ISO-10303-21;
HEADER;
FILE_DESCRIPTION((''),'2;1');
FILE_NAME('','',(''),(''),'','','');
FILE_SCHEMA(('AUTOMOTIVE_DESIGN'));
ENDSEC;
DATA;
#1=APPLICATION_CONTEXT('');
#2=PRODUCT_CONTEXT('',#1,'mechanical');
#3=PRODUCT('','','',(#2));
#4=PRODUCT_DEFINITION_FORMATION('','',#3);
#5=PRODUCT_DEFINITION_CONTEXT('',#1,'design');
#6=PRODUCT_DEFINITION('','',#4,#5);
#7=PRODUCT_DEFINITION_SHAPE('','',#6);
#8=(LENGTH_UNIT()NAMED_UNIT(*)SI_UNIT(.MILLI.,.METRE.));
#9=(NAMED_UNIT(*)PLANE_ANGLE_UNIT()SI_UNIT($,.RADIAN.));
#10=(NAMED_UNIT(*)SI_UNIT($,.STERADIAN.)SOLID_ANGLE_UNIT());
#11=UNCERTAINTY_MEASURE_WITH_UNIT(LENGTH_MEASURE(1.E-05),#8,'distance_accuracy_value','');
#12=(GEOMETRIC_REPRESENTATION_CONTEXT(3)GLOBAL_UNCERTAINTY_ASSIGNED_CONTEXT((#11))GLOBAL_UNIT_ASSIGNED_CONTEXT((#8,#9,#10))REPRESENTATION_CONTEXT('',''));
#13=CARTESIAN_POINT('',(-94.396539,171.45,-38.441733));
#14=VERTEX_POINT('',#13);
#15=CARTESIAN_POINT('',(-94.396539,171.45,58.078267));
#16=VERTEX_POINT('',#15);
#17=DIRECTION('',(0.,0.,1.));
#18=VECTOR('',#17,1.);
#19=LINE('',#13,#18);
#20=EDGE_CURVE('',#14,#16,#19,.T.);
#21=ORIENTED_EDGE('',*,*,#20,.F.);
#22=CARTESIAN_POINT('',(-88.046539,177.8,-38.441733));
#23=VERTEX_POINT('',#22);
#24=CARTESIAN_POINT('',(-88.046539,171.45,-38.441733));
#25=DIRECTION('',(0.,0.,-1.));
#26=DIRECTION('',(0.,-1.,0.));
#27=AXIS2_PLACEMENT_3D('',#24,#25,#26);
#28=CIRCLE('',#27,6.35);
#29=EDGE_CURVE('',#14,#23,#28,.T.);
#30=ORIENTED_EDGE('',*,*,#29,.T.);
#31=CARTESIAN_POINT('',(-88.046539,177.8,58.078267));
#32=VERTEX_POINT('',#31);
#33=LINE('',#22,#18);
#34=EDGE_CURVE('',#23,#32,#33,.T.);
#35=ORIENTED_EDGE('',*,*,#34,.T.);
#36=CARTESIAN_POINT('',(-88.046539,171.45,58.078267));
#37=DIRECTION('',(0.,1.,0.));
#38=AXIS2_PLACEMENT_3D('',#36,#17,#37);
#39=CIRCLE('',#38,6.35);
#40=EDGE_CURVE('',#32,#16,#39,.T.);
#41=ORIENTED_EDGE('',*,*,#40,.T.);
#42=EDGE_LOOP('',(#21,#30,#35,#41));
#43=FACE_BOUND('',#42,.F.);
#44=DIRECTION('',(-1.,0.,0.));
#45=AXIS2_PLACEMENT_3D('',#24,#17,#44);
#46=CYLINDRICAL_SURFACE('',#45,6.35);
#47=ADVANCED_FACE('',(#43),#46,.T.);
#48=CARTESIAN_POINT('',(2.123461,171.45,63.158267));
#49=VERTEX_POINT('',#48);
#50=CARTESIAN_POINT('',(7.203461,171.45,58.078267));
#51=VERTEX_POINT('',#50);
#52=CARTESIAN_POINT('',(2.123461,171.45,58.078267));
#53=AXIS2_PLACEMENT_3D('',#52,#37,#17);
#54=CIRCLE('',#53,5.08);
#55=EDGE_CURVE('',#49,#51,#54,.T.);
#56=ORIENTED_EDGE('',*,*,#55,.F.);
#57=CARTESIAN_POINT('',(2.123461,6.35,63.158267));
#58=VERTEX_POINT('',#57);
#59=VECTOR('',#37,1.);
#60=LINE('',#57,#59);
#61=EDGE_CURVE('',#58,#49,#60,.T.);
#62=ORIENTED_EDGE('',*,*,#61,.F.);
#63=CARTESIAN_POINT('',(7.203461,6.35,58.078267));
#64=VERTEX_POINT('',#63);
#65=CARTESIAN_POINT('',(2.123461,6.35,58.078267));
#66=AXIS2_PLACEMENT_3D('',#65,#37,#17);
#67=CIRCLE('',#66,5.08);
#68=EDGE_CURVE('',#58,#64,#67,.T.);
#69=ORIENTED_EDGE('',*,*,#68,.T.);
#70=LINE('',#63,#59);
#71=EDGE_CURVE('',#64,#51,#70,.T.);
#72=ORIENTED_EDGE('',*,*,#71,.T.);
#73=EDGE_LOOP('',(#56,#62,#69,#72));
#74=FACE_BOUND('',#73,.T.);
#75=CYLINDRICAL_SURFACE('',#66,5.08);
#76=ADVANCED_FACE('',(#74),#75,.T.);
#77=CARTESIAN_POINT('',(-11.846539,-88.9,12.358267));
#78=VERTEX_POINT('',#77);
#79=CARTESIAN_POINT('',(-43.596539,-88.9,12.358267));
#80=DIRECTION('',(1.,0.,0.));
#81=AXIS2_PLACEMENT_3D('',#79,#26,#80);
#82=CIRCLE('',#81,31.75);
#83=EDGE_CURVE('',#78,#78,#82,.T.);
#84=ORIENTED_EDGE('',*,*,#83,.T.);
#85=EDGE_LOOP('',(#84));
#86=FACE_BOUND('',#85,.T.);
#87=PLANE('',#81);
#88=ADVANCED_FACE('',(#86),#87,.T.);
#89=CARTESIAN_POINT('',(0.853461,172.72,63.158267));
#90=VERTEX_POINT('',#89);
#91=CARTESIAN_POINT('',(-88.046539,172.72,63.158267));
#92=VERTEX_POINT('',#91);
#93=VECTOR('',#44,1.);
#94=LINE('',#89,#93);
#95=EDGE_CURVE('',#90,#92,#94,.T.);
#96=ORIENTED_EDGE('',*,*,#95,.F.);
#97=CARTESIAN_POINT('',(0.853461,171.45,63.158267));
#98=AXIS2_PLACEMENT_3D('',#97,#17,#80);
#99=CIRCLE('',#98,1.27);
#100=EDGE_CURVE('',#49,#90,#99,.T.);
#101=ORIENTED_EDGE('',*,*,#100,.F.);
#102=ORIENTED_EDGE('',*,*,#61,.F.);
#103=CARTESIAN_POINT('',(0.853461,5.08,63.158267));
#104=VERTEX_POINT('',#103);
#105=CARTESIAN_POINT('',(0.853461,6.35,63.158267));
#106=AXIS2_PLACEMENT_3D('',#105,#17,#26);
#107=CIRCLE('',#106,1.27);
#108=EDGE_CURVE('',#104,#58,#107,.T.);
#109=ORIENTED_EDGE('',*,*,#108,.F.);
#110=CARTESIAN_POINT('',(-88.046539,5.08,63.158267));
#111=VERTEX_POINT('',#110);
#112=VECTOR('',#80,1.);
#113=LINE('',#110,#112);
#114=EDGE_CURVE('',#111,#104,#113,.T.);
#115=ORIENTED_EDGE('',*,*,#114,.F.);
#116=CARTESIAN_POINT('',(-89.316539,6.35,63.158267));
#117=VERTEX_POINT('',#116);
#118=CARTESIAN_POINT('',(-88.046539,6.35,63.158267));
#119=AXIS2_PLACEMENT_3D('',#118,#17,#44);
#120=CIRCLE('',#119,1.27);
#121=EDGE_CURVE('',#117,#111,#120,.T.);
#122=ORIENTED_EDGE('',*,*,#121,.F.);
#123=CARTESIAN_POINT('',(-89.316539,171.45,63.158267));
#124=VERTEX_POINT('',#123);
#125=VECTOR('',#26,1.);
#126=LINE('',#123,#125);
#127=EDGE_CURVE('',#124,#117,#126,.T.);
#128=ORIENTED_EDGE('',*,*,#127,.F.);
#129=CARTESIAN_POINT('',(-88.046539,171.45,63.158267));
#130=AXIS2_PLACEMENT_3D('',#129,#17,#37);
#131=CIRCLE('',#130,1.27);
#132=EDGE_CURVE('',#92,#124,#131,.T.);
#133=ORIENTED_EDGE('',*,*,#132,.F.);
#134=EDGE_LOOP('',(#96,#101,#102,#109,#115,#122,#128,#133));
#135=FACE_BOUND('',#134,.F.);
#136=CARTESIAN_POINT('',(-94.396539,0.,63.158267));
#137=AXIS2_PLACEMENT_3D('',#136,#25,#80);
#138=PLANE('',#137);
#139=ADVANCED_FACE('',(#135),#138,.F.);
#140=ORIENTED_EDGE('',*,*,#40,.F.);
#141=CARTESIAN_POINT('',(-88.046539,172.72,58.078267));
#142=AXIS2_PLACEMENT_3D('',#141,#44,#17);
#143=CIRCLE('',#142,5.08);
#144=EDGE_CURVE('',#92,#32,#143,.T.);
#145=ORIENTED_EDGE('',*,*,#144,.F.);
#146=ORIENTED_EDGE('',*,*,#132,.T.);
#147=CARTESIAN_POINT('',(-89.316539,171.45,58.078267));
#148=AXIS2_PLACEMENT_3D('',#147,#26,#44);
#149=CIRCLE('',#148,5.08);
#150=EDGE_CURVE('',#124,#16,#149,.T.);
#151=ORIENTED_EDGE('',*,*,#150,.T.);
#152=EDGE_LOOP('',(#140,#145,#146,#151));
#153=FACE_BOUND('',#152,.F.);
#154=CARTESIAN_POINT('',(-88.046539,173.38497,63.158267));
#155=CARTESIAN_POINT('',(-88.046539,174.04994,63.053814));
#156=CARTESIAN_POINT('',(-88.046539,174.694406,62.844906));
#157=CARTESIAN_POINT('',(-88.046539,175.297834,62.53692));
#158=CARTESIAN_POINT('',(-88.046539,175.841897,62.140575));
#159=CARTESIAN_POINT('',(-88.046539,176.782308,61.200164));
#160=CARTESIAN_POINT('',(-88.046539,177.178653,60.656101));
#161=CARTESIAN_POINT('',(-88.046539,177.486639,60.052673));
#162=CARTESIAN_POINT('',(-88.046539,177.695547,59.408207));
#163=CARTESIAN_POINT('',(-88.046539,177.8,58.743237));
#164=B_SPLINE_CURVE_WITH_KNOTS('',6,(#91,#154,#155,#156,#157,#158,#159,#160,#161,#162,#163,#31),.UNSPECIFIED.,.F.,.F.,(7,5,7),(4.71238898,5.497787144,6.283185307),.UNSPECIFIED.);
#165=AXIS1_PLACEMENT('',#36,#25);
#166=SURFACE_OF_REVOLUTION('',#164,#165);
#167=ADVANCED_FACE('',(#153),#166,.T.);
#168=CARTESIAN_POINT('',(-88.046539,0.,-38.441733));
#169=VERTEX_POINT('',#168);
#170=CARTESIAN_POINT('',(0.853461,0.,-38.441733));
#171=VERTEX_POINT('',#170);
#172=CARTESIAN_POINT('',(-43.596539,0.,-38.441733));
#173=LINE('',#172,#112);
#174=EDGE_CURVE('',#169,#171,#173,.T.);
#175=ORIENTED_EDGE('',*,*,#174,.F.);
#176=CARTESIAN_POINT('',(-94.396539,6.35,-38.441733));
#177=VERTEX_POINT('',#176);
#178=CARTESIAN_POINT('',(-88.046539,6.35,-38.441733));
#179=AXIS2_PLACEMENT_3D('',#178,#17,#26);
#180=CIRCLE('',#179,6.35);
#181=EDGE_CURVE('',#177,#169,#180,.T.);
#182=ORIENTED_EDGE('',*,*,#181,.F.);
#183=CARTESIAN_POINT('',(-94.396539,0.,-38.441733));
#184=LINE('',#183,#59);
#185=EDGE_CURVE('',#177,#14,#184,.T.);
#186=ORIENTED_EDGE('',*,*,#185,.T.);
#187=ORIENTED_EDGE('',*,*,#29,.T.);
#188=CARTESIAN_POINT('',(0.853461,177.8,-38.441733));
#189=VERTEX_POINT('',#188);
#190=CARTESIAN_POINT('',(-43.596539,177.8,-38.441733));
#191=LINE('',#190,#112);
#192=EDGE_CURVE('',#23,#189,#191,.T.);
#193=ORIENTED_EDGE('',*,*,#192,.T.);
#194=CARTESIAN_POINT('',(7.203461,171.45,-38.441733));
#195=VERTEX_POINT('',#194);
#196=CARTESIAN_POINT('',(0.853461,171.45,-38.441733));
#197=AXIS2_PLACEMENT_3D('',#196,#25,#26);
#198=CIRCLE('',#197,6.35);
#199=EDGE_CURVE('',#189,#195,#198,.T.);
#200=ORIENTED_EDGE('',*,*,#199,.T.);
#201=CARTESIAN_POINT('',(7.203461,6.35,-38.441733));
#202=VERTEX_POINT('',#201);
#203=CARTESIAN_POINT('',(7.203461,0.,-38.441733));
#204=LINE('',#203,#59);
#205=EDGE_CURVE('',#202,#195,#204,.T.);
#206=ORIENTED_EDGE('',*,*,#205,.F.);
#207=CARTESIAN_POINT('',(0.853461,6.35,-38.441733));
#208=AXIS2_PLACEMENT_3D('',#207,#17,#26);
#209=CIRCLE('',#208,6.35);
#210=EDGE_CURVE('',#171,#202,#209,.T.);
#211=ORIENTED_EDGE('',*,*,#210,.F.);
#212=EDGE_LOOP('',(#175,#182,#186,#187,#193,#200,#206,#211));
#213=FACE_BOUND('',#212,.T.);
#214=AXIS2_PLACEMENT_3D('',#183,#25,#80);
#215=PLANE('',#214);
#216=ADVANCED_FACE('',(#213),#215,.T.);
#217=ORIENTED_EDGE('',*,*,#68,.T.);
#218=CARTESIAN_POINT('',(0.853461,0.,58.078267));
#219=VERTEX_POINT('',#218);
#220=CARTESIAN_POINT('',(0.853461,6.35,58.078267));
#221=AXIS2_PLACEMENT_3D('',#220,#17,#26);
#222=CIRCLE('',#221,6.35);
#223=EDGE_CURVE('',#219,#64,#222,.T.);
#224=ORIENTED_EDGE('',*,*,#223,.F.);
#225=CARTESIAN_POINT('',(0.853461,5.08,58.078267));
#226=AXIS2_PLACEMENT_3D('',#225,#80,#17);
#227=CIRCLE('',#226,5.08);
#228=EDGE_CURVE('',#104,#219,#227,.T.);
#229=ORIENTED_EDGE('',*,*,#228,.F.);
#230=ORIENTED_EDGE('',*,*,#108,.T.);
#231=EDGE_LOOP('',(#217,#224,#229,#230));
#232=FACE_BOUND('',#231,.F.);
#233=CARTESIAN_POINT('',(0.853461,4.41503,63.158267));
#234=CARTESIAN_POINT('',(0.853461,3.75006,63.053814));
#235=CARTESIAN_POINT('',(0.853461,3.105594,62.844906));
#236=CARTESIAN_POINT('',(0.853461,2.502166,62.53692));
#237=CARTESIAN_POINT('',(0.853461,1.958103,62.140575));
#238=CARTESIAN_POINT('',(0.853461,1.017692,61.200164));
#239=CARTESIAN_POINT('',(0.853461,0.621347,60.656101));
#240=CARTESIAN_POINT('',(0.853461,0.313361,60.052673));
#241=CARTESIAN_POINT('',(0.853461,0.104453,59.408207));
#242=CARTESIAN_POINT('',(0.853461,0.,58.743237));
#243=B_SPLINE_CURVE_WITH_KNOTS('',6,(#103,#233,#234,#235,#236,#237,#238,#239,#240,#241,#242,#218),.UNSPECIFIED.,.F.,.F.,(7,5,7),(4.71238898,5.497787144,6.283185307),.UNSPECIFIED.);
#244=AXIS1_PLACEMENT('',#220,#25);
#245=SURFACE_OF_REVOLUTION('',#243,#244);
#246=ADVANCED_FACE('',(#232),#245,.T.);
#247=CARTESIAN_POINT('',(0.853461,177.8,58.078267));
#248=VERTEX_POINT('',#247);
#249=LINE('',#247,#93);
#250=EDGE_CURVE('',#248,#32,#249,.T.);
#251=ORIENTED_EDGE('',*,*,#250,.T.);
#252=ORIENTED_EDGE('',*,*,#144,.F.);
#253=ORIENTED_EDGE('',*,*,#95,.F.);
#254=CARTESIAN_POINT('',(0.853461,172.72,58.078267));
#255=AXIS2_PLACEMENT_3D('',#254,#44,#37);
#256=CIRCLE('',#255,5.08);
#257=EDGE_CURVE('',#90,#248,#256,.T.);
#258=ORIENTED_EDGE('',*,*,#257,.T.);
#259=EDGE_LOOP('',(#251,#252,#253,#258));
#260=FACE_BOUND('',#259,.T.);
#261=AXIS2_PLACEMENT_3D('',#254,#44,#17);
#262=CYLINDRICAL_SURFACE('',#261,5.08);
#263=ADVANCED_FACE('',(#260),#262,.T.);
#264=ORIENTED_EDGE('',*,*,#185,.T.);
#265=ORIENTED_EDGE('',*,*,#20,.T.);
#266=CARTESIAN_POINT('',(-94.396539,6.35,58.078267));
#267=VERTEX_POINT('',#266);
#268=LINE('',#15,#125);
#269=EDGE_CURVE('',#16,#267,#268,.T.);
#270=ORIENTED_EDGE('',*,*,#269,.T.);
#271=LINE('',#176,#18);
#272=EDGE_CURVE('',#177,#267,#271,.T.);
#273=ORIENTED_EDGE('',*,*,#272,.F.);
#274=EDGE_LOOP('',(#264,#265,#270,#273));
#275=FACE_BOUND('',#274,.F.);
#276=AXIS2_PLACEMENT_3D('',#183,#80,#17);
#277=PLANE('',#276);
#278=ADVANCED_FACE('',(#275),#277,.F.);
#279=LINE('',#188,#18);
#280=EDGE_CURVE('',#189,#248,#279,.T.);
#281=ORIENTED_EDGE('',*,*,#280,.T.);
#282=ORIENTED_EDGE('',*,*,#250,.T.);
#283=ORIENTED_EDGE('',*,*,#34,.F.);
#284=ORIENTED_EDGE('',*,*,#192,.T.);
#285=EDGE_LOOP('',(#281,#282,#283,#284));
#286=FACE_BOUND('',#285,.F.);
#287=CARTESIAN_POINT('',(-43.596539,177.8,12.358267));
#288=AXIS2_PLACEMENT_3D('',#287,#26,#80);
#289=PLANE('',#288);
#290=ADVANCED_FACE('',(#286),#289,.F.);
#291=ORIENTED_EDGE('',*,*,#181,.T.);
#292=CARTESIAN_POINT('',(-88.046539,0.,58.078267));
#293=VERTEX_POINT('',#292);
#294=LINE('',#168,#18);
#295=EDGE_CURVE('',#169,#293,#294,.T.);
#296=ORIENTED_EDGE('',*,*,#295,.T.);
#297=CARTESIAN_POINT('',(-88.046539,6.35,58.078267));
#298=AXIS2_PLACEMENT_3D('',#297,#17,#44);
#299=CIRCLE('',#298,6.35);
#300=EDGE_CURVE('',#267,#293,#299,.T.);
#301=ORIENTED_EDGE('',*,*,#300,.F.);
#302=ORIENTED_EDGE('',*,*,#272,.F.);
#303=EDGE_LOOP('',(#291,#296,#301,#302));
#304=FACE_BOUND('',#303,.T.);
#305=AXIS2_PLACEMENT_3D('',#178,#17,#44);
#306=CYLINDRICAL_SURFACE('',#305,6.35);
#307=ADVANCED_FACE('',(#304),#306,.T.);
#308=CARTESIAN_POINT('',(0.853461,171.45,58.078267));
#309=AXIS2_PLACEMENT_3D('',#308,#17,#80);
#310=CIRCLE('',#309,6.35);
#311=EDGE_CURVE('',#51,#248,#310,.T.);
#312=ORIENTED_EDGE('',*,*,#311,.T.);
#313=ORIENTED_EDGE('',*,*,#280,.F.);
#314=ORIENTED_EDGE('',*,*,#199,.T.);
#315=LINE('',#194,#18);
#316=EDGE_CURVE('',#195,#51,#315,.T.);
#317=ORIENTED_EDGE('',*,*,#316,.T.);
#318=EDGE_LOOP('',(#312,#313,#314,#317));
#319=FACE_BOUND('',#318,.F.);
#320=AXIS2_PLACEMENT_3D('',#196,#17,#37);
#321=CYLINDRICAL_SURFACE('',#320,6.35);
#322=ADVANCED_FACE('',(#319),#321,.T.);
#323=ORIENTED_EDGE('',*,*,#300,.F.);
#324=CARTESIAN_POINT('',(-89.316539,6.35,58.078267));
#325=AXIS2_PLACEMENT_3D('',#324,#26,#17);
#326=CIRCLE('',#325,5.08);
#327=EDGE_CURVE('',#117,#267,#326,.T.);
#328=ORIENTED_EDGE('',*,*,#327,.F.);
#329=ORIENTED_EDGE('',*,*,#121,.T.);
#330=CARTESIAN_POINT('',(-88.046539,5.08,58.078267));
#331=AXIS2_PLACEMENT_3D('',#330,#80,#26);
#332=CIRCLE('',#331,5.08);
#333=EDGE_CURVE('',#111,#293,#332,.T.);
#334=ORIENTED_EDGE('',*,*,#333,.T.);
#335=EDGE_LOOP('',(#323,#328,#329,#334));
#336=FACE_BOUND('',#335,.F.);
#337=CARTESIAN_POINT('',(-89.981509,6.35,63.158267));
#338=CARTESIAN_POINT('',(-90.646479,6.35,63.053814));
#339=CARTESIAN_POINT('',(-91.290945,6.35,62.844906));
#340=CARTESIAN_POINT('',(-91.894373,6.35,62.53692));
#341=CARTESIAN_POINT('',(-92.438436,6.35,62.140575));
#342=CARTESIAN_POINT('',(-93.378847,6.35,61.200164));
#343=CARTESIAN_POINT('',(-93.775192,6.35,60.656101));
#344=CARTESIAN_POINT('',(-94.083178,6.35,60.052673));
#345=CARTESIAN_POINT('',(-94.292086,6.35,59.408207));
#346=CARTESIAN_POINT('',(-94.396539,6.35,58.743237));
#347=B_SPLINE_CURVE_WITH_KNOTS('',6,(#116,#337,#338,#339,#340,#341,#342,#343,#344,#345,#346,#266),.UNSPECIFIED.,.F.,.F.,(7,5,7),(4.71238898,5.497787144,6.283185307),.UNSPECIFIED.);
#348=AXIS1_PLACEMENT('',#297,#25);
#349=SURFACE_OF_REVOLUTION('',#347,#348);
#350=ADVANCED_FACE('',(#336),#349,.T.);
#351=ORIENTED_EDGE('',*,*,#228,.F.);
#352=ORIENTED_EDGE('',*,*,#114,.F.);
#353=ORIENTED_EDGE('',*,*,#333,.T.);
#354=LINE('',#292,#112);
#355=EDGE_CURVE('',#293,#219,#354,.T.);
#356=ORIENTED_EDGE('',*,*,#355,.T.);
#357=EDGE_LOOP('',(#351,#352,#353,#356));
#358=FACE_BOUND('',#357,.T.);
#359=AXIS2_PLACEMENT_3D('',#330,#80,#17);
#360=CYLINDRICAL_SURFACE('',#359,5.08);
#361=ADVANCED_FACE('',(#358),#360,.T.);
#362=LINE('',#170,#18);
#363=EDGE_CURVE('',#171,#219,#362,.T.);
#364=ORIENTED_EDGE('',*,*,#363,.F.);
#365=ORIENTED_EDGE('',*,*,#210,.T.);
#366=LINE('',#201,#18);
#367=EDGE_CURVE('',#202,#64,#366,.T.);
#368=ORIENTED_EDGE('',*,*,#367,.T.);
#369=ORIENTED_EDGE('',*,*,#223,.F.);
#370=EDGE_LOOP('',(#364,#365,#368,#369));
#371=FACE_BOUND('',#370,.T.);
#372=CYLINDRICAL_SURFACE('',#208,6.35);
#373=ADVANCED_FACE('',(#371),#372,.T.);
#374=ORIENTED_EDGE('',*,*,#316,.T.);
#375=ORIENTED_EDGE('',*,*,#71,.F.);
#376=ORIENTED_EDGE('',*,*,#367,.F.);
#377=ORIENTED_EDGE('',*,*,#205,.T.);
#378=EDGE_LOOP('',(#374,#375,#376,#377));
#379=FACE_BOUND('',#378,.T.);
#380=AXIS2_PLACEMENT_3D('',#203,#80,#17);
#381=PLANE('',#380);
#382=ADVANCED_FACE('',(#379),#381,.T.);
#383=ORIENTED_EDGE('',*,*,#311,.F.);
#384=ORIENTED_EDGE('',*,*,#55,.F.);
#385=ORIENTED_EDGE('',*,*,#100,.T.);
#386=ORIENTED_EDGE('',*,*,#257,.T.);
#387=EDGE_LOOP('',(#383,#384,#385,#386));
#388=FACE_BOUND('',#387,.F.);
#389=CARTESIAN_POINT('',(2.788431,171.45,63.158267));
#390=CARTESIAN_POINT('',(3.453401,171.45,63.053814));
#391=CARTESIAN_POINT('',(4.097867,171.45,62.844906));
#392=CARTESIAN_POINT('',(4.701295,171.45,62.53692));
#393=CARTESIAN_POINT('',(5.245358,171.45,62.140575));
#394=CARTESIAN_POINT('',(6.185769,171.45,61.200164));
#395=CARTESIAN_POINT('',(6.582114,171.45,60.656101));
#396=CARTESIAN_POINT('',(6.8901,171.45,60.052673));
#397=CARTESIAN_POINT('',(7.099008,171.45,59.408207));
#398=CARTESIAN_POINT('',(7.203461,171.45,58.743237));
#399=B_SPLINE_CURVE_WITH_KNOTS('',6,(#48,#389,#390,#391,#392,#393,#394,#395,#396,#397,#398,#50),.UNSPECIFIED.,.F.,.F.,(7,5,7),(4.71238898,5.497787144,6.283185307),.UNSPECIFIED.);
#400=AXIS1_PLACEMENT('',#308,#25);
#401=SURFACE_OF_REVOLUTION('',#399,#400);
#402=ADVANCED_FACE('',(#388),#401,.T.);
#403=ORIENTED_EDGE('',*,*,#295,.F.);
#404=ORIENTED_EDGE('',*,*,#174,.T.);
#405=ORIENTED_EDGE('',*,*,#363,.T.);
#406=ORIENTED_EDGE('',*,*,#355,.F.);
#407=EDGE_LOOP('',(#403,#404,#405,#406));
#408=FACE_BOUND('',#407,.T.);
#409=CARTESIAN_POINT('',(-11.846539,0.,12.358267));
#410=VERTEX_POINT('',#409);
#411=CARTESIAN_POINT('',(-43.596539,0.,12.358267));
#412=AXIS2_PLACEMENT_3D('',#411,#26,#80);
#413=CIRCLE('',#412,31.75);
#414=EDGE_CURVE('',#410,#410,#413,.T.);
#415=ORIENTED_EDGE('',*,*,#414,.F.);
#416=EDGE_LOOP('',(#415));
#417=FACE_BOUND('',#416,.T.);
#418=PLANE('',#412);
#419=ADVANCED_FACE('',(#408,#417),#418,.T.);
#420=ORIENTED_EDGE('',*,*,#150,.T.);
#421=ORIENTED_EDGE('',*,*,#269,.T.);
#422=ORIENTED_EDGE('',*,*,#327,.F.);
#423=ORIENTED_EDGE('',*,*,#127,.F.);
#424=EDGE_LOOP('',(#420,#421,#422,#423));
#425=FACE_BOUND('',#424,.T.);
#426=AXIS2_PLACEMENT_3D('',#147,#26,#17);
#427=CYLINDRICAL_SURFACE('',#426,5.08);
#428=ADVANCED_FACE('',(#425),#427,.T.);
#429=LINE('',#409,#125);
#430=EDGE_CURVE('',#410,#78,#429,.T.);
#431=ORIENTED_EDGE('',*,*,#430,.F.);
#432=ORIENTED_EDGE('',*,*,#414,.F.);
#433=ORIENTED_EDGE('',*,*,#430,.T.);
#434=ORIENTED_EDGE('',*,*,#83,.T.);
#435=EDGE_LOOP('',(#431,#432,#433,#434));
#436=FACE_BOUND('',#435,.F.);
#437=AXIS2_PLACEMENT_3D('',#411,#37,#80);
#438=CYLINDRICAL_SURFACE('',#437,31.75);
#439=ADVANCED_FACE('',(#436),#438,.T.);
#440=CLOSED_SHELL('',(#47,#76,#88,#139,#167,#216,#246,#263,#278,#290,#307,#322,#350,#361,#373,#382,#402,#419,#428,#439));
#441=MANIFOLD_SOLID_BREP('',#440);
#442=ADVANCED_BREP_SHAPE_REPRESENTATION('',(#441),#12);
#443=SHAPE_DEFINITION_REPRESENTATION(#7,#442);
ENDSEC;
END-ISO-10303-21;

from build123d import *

# Parameters (mm, degrees)
F0_W     = 101.6
F0_H     = 101.6
F1_DEPTH = 177.8
F2_R     = 31.75
F3_DEPTH = 88.9
F4_R     = 6.35
F5_R     = 5.08


with BuildPart() as f1:
    # F0 (on Front) → F1 (new body)
    with BuildSketch(Plane.XZ):
        with Locations((-43.596539, 12.358267)):
            Rectangle(F0_W, F0_H)
    extrude(amount=-F1_DEPTH)

    # F2 (on face) → F3 (join)
    with BuildSketch(Plane.XZ):
        with Locations((-43.596539, 12.358267)):
            Circle(F2_R)
    extrude(amount=F3_DEPTH)

    # F4
    f4_edges = [f1.edges().sort_by_distance(p)[0] for p in [
        (7.203461, 0, 12.358267),
        (-94.396539, 0, 12.358267),
        (7.203461, 177.8, 12.358267),
        (-94.396539, 177.8, 12.358267),
    ]]
    fillet(f4_edges, radius=F4_R)

    # F5
    f5_edges = [f1.edges().sort_by_distance(p)[0] for p in [
        (7.203461, 88.9, 63.158267),
    ]]
    fillet(f5_edges, radius=F5_R)


solid = f1.part
